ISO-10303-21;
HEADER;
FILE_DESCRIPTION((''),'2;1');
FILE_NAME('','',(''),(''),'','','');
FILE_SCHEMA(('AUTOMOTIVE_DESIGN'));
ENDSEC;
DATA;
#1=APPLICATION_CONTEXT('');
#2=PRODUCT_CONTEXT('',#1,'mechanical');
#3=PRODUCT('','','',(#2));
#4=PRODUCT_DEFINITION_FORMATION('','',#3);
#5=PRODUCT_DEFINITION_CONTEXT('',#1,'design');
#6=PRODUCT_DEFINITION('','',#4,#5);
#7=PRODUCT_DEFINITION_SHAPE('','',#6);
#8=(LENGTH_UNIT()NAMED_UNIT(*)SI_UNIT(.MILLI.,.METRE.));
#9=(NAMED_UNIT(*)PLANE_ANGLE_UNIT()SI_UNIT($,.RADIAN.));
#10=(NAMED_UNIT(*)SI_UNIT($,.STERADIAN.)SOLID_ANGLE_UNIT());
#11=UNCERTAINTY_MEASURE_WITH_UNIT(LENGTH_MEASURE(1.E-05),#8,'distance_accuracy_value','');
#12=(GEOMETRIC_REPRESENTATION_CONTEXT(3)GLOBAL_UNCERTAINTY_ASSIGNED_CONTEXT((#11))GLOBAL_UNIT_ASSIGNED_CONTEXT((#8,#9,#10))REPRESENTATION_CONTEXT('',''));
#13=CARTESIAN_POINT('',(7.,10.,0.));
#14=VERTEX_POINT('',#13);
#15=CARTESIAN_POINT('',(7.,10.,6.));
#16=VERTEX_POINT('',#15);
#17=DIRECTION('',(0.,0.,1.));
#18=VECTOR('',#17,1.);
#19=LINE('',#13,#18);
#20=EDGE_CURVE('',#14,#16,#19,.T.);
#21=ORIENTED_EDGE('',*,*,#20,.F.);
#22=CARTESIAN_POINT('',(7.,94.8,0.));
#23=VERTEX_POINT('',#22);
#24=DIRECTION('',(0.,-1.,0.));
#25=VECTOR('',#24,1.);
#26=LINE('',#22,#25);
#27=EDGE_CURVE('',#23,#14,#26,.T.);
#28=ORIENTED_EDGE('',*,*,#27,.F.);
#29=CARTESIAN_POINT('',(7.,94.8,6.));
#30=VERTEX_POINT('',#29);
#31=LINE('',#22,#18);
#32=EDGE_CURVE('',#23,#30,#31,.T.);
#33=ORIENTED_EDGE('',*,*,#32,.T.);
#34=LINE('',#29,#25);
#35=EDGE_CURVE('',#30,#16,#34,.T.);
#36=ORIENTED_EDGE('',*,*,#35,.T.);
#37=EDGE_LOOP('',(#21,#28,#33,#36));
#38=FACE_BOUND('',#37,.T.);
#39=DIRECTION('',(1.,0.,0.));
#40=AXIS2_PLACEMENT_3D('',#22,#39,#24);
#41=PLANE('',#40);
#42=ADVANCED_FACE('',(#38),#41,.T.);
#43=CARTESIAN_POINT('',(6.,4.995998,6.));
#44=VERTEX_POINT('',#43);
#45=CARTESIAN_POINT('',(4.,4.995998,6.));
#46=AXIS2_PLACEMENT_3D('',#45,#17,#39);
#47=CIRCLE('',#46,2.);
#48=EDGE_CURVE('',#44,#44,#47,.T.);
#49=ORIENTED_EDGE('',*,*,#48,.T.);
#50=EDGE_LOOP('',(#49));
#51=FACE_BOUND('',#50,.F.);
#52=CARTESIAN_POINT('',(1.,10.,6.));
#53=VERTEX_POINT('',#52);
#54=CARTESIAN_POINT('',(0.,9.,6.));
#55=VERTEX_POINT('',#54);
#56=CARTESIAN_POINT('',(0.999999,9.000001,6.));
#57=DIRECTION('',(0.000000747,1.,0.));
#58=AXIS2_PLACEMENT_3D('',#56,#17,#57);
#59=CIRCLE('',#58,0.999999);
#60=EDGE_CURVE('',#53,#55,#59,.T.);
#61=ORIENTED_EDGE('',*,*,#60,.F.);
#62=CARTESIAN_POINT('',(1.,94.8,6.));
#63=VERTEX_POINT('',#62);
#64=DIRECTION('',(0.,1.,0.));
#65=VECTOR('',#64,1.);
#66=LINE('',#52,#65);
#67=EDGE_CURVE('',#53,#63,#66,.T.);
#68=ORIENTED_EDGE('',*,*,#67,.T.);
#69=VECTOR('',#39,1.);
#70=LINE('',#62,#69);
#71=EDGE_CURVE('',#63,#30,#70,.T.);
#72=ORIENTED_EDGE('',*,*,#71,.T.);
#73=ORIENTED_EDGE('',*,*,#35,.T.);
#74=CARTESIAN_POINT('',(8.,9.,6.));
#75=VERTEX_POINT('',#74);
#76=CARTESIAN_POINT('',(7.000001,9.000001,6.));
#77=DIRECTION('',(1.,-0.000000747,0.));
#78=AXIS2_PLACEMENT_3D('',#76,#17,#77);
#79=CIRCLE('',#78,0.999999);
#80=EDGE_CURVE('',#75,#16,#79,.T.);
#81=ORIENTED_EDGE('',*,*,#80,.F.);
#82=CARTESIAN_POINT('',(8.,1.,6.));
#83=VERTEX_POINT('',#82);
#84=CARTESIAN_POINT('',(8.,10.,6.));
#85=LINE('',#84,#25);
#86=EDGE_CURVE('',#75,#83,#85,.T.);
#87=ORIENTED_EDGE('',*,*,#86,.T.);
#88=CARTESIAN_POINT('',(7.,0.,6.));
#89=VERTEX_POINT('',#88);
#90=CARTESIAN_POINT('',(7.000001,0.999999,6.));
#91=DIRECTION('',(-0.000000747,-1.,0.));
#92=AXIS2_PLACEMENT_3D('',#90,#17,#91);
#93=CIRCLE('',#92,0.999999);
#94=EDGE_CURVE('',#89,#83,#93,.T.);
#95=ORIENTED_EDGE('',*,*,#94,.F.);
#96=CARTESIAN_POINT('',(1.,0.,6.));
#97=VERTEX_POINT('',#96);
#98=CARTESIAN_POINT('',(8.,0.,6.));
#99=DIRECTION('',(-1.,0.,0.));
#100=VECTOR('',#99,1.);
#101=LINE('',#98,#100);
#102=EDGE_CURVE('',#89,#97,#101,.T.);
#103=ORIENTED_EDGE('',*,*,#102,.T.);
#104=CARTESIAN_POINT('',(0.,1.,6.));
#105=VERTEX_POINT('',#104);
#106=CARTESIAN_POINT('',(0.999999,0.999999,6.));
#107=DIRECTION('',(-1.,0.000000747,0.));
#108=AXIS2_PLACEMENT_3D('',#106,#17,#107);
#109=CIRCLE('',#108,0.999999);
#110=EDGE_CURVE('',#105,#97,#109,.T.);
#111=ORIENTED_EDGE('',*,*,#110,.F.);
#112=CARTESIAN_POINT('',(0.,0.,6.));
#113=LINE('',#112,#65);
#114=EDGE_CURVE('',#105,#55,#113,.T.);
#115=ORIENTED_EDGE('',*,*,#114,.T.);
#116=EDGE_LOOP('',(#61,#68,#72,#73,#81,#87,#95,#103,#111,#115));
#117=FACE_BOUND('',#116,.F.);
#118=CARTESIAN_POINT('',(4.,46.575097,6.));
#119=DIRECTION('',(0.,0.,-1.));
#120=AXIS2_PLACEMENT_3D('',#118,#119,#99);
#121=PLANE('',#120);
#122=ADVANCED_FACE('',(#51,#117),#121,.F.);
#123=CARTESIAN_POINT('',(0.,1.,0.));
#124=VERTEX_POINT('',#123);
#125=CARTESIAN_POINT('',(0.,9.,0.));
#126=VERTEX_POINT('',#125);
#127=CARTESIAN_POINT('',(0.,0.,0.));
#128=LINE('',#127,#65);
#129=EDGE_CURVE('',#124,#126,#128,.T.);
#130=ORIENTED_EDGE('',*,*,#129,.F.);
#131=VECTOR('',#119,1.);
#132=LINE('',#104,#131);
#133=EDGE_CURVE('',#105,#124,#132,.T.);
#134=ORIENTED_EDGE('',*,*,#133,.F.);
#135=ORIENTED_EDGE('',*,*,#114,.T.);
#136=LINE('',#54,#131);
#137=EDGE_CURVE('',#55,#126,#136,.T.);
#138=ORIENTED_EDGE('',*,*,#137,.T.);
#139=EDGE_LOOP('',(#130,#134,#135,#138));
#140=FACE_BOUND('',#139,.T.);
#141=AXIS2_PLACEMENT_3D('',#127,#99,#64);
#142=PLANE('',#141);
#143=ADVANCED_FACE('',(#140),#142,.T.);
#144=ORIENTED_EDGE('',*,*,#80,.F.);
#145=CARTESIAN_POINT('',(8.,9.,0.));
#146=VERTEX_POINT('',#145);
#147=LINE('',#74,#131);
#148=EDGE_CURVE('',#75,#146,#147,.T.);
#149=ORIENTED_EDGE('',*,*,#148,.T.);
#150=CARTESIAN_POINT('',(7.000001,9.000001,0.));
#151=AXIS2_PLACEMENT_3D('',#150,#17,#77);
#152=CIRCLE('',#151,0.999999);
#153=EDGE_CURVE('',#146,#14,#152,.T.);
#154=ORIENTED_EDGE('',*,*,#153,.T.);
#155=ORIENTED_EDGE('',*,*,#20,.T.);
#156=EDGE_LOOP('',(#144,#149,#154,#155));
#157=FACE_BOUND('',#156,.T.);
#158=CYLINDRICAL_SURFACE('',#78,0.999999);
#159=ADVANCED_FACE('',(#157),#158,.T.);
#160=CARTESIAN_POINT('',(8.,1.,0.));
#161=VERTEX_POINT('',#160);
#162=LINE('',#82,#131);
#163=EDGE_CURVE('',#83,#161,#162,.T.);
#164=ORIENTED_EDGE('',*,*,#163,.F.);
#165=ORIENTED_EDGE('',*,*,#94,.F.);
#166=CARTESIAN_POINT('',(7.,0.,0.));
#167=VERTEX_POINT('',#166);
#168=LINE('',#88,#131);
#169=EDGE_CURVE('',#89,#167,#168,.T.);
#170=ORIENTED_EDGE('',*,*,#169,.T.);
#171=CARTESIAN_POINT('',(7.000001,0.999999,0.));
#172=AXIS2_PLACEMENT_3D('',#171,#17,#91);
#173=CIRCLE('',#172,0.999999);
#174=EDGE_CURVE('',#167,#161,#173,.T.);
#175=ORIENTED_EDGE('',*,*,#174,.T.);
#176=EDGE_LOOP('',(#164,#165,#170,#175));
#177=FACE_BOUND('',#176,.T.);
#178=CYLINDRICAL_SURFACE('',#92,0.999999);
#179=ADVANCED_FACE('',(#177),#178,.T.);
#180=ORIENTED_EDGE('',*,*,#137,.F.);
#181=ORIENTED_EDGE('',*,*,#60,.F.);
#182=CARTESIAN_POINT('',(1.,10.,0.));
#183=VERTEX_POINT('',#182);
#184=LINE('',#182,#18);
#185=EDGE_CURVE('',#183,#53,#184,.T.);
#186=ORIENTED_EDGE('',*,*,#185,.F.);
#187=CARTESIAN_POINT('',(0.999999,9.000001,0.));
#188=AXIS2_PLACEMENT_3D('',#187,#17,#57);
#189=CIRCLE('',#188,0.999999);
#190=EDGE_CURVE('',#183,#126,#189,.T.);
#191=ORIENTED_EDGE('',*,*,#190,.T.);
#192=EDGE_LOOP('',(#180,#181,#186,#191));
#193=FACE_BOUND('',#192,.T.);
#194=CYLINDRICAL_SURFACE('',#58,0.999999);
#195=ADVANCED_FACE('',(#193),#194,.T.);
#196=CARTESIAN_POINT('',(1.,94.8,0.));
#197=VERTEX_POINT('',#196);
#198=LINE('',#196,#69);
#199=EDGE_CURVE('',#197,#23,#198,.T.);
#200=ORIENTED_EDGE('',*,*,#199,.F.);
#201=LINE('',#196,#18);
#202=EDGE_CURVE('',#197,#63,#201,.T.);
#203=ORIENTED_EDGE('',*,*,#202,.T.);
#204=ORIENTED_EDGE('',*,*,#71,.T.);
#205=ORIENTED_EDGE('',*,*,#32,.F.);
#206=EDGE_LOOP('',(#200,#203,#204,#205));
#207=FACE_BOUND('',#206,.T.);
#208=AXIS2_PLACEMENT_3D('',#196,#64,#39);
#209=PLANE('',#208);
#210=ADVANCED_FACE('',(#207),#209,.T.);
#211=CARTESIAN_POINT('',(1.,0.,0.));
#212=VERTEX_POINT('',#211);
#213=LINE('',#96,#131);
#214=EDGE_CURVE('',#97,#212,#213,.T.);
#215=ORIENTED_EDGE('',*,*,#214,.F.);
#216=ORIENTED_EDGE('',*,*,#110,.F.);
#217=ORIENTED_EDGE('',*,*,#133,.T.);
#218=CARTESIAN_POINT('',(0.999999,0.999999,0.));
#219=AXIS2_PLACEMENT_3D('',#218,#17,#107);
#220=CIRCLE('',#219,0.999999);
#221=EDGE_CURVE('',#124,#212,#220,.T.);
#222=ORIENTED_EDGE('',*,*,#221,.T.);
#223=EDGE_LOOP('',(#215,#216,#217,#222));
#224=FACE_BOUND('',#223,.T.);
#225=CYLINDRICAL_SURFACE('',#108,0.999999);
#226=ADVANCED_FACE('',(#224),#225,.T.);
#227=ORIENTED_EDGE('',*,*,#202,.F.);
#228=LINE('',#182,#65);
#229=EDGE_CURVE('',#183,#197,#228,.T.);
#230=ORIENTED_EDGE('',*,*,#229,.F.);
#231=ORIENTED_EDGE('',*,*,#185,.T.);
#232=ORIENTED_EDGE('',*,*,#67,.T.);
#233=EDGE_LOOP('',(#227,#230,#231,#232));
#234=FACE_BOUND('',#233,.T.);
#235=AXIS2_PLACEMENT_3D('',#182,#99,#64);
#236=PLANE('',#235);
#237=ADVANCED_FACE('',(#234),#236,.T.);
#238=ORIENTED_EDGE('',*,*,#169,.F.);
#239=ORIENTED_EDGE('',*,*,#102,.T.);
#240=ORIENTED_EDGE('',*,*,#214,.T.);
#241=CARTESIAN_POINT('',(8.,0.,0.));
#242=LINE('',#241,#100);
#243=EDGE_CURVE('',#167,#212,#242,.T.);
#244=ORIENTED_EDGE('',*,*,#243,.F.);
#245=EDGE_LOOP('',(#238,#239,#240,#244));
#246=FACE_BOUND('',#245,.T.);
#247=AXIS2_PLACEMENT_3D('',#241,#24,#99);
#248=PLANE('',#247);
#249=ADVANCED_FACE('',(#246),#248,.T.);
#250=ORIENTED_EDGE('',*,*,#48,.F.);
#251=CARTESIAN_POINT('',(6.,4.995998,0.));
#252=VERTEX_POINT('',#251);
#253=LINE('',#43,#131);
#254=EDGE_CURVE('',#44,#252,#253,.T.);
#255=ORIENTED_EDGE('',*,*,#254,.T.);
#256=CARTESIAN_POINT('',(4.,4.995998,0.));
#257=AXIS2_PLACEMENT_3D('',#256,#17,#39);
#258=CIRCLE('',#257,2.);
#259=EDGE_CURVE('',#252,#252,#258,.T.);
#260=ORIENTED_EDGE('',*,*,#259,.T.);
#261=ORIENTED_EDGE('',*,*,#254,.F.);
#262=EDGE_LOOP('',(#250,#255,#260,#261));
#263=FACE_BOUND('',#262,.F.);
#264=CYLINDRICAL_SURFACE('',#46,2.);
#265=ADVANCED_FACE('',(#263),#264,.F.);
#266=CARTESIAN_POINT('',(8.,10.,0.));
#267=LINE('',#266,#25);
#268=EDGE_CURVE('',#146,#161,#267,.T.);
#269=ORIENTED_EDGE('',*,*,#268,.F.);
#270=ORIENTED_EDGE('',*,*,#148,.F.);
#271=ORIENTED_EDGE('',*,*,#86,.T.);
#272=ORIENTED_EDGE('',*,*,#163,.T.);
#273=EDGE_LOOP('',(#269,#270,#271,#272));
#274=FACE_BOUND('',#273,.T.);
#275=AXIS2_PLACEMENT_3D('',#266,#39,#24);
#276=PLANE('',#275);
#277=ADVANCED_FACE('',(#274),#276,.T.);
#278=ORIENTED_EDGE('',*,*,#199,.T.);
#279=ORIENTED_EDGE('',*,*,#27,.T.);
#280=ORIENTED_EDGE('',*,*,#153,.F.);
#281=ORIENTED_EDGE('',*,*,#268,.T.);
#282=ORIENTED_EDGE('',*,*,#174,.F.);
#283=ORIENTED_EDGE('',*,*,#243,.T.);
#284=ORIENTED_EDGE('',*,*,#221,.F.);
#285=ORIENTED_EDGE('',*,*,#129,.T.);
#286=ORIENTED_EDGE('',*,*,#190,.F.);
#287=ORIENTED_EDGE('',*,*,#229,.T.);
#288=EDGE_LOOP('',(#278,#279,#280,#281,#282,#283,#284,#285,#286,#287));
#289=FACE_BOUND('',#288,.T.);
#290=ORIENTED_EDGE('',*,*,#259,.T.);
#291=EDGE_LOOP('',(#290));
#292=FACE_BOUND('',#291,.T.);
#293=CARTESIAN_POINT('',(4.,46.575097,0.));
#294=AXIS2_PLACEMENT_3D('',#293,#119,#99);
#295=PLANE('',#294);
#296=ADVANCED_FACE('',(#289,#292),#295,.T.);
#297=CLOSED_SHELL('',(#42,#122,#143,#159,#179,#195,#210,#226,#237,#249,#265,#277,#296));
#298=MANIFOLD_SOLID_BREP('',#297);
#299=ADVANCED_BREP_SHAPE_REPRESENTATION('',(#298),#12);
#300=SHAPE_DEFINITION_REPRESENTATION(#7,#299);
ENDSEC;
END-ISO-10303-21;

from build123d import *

# Parameters (mm, degrees)
PAD_DEPTH       = 6
SKETCH001_R     = 2
POCKET_DEPTH    = 8
POCKET001_DEPTH = 7


with BuildPart() as part:
    # Sketch → Pad (new body)
    with BuildSketch(Plane.XY):
        Polygon((1, 94.8), (7, 94.8), (7, 10), (8, 10), (8, 0), (0, 0), (0, 10), (1, 10), align=None)
    extrude(amount=PAD_DEPTH)

    # Sketch001 (on Face10 of Pad) → Pocket (cut)
    with BuildSketch(Plane.XY.offset(6)):
        with Locations((4, 4.995998)):
            Circle(SKETCH001_R)
    extrude(amount=-POCKET_DEPTH, mode=Mode.SUBTRACT)

    # Sketch002 (on Face5 of Pocket) → Pocket001 (cut)
    with BuildSketch(Plane.XY.offset(6)):
        with BuildLine():
            ThreePointArc((0, 1), (0.292893, 0.292893), (1, 0))
            Line((0, 0), (1, 0))
            Line((0, 1), (0, 0))
        make_face()
        with BuildLine():
            ThreePointArc((1, 10), (0.292893, 9.707107), (0, 9))
            Line((0, 9), (0, 10))
            Line((0, 10), (1, 10))
        make_face()
        with BuildLine():
            ThreePointArc((8, 9), (7.707107, 9.707107), (7, 10))
            Line((7, 10), (8, 10))
            Line((8, 10), (8, 9))
        make_face()
        with BuildLine():
            ThreePointArc((7, 0), (7.707107, 0.292893), (8, 1))
            Line((8, 0), (8, 1))
            Line((7, 0), (8, 0))
        make_face()
    extrude(amount=-POCKET001_DEPTH, mode=Mode.SUBTRACT)


solid = part.part
